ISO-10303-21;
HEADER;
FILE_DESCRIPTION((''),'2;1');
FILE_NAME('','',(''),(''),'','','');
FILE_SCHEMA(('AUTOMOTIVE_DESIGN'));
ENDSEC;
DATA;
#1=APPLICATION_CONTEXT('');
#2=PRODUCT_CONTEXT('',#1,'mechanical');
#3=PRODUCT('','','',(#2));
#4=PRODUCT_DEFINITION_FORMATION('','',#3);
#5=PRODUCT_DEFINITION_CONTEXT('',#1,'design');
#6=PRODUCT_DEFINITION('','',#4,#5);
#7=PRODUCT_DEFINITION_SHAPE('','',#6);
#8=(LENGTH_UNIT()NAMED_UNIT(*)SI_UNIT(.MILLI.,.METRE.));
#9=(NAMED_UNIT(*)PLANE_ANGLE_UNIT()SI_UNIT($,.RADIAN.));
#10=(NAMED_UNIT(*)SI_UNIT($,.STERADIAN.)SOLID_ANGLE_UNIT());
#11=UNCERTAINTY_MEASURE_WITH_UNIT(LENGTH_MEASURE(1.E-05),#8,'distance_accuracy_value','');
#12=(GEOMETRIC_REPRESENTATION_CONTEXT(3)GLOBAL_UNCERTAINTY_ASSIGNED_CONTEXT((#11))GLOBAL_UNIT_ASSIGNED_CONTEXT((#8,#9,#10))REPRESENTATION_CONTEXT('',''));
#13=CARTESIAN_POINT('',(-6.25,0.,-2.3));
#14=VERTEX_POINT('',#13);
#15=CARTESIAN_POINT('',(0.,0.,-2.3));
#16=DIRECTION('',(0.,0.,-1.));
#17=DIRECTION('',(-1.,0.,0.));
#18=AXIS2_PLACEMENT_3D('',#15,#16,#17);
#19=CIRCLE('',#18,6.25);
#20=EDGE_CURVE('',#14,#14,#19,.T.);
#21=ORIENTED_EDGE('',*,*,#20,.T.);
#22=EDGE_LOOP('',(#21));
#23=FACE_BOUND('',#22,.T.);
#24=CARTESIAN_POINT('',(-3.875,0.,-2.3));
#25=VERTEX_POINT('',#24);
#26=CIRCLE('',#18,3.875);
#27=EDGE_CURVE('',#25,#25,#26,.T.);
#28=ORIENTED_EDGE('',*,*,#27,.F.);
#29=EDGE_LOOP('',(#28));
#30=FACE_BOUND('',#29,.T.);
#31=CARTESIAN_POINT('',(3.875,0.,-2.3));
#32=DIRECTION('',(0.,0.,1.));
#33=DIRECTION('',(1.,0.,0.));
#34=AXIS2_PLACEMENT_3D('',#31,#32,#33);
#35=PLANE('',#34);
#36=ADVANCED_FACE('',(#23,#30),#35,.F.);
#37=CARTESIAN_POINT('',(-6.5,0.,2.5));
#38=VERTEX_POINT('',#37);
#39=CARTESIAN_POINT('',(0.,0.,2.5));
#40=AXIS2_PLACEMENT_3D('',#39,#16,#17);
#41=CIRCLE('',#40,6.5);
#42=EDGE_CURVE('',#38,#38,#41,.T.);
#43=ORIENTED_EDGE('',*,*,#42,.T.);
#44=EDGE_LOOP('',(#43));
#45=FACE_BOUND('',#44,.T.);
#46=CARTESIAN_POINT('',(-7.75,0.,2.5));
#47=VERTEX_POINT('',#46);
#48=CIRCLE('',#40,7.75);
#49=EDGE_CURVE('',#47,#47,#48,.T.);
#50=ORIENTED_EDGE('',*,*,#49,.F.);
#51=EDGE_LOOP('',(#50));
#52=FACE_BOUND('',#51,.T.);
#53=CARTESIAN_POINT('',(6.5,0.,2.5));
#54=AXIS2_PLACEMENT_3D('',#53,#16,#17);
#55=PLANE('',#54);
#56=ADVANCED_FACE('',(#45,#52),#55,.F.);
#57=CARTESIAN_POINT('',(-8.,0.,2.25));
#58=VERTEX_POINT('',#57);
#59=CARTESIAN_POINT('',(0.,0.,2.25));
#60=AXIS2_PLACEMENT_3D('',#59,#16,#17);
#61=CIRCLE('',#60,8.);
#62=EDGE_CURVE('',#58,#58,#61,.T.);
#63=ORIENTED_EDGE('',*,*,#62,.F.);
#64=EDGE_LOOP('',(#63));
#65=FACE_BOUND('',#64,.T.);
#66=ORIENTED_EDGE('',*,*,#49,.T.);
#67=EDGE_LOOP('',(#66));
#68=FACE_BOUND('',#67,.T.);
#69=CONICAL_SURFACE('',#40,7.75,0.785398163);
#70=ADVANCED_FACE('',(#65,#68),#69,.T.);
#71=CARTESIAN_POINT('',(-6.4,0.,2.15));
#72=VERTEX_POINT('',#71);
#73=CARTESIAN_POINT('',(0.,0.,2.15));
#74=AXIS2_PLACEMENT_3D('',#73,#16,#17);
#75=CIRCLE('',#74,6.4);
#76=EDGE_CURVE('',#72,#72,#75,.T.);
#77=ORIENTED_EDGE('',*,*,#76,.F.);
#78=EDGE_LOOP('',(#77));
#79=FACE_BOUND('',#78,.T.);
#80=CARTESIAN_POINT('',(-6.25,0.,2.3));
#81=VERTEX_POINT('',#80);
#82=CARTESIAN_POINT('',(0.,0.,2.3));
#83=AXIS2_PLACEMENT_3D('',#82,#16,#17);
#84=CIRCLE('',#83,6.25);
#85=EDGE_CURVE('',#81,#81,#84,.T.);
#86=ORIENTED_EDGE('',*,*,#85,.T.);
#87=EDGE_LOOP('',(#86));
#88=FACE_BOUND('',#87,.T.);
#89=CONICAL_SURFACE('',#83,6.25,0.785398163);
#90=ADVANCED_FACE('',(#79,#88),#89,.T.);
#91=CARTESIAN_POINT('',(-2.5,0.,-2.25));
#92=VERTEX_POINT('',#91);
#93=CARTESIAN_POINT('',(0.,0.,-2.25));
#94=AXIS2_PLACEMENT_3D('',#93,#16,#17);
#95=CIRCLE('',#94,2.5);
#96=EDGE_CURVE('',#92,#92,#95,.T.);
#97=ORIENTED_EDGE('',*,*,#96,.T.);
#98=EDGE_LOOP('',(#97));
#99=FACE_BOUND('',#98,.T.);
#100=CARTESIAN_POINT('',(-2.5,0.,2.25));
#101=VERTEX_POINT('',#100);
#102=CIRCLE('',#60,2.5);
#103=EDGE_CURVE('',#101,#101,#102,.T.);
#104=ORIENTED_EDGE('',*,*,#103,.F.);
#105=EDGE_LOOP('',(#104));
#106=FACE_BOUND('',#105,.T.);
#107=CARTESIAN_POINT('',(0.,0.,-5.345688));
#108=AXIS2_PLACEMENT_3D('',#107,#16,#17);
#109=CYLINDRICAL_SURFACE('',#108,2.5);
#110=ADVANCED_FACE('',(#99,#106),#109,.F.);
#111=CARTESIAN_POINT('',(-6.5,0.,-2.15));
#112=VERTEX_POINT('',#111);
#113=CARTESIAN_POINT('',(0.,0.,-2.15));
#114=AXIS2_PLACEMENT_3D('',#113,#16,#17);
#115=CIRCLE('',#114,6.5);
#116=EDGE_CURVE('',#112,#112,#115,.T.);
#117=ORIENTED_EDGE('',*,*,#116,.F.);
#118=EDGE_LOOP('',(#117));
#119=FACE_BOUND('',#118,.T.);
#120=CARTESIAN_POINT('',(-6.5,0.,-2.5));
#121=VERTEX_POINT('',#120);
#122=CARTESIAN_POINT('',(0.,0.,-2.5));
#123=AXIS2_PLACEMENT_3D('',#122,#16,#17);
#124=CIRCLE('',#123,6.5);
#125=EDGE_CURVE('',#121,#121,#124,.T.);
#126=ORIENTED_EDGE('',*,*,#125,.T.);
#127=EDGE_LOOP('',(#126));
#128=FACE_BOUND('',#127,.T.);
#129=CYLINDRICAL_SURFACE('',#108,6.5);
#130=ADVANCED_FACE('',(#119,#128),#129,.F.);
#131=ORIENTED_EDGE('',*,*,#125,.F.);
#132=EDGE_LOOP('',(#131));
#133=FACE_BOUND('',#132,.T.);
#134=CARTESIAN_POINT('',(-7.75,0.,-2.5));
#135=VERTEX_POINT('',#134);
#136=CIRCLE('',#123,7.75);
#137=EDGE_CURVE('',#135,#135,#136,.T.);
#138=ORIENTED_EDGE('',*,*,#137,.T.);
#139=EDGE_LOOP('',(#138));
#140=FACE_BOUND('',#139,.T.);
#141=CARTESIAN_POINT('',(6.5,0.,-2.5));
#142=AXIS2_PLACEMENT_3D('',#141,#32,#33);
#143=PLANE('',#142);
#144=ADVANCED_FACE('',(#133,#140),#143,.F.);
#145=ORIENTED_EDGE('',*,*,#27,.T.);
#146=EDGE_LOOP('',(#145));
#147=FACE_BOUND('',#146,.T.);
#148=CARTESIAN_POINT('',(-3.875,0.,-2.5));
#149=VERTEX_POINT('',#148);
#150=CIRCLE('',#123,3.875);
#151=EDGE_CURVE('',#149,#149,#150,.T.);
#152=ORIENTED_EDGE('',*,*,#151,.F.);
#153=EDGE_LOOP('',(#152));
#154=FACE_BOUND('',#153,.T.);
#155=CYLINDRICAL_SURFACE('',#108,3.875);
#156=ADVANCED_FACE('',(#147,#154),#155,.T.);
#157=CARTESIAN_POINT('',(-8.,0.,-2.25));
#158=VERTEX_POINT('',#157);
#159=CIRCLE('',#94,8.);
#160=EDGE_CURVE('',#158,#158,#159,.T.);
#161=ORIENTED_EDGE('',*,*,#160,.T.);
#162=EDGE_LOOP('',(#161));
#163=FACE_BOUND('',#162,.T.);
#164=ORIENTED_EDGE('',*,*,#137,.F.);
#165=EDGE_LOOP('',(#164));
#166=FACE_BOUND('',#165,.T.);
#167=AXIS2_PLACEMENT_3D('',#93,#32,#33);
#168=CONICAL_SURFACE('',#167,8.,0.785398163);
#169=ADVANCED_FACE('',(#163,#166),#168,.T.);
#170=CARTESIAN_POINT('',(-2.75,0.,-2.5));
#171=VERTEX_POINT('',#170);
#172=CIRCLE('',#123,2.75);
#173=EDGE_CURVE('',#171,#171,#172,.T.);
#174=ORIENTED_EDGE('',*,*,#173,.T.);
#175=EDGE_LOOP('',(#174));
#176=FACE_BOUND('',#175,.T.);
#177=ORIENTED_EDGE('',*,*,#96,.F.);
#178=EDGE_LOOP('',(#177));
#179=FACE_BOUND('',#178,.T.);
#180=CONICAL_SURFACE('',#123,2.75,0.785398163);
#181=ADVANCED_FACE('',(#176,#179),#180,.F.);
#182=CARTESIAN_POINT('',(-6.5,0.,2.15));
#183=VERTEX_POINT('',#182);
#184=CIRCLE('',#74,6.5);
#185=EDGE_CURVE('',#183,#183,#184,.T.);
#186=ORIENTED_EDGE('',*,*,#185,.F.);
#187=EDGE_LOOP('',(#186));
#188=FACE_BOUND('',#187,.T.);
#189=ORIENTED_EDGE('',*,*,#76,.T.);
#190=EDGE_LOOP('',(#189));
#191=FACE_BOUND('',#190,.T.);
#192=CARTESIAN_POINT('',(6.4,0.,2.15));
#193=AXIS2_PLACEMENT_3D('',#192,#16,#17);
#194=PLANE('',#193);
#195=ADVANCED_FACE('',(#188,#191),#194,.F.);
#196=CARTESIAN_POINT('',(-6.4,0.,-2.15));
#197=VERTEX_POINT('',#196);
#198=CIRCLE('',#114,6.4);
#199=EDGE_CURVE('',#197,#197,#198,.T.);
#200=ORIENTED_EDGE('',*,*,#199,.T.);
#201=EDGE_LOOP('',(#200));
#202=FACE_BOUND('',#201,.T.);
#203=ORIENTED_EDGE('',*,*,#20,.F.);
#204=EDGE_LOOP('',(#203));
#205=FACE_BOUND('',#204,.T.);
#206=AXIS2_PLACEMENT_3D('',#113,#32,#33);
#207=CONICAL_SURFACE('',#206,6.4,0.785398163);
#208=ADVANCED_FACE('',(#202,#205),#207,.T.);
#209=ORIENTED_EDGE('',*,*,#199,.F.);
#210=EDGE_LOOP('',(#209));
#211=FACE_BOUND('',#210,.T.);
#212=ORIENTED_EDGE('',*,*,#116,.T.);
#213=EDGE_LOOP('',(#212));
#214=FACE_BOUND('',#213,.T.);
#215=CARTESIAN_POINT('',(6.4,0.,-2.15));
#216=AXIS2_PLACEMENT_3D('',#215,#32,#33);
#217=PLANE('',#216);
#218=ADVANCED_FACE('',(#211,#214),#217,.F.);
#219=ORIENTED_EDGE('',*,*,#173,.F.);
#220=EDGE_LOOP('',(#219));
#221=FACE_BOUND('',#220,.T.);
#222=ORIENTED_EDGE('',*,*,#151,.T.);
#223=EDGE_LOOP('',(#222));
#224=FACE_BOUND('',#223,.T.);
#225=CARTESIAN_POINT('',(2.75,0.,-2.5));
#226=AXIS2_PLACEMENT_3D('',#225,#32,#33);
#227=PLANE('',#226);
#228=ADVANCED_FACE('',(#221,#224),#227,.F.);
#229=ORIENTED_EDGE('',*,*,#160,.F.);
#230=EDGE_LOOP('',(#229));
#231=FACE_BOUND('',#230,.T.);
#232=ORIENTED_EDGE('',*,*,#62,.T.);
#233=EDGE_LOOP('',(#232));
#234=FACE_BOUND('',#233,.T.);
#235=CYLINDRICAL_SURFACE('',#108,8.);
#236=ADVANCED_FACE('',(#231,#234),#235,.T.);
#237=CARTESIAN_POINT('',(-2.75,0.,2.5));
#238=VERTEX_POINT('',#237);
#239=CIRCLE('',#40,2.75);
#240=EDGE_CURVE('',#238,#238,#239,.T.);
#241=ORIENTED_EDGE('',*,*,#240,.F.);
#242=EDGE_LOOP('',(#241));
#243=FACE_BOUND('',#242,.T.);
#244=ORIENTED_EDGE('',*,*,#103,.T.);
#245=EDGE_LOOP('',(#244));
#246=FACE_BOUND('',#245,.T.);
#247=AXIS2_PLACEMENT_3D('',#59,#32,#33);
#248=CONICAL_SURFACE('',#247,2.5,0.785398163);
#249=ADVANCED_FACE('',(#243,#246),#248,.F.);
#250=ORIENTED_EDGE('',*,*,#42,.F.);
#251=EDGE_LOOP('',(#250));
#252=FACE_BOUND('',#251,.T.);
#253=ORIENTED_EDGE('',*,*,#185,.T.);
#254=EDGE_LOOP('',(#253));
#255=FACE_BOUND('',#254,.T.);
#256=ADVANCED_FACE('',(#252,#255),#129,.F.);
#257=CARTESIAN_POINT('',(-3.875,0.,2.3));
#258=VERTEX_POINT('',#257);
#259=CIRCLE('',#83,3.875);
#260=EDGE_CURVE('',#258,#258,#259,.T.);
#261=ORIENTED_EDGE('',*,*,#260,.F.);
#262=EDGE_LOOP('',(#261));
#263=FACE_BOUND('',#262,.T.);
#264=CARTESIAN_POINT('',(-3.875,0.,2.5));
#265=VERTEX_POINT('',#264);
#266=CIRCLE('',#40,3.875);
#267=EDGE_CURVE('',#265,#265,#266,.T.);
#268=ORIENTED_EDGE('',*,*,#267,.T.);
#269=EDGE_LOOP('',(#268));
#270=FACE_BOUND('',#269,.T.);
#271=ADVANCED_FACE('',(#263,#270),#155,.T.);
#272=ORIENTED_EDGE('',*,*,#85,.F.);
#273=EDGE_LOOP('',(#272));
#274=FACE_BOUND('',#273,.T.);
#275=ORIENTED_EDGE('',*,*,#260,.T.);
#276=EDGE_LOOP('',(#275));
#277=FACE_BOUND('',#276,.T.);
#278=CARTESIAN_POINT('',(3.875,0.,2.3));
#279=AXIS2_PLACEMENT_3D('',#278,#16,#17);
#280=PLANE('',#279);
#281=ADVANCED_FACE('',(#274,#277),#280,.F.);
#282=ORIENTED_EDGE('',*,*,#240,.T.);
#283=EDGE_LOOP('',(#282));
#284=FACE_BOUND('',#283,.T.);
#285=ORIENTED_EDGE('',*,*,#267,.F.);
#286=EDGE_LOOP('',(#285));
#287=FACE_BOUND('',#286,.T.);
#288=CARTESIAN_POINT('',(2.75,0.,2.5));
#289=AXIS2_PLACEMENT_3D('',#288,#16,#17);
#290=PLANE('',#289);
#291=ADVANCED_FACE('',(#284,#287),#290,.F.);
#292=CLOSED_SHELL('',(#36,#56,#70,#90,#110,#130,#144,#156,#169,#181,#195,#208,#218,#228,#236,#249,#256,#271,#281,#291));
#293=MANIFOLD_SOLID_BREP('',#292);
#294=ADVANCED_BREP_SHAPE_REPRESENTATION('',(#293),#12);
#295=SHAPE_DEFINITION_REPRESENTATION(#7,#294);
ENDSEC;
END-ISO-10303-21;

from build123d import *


with BuildPart() as part:
    # Sketch1 → Revolve1 (revolve)
    with BuildSketch(Plane(origin=(0, 0, 0), x_dir=(1, 0, 0), z_dir=(0, 1, 0)), mode=Mode.PRIVATE) as revolve1_sk:
        Polygon((2.5, -2.25), (2.5, 2.25), (2.75, 2.5), (3.875, 2.5), (3.875, 2.3), (6.25, 2.3), (6.4, 2.15), (6.5, 2.15), (6.5, 2.5), (7.75, 2.5), (8, 2.25), (8, -2.25), (7.75, -2.5), (6.5, -2.5), (6.5, -2.15), (6.4, -2.15), (6.25, -2.3), (3.875, -2.3), (3.875, -2.5), (2.75, -2.5), align=None)
    revolve(revolve1_sk.sketch.rotate(Axis((0, 0, -5.345688484), (0, 0, 1)), 180), axis=Axis((0, 0, -5.345688484), (0, 0, 1)))


solid = part.part
